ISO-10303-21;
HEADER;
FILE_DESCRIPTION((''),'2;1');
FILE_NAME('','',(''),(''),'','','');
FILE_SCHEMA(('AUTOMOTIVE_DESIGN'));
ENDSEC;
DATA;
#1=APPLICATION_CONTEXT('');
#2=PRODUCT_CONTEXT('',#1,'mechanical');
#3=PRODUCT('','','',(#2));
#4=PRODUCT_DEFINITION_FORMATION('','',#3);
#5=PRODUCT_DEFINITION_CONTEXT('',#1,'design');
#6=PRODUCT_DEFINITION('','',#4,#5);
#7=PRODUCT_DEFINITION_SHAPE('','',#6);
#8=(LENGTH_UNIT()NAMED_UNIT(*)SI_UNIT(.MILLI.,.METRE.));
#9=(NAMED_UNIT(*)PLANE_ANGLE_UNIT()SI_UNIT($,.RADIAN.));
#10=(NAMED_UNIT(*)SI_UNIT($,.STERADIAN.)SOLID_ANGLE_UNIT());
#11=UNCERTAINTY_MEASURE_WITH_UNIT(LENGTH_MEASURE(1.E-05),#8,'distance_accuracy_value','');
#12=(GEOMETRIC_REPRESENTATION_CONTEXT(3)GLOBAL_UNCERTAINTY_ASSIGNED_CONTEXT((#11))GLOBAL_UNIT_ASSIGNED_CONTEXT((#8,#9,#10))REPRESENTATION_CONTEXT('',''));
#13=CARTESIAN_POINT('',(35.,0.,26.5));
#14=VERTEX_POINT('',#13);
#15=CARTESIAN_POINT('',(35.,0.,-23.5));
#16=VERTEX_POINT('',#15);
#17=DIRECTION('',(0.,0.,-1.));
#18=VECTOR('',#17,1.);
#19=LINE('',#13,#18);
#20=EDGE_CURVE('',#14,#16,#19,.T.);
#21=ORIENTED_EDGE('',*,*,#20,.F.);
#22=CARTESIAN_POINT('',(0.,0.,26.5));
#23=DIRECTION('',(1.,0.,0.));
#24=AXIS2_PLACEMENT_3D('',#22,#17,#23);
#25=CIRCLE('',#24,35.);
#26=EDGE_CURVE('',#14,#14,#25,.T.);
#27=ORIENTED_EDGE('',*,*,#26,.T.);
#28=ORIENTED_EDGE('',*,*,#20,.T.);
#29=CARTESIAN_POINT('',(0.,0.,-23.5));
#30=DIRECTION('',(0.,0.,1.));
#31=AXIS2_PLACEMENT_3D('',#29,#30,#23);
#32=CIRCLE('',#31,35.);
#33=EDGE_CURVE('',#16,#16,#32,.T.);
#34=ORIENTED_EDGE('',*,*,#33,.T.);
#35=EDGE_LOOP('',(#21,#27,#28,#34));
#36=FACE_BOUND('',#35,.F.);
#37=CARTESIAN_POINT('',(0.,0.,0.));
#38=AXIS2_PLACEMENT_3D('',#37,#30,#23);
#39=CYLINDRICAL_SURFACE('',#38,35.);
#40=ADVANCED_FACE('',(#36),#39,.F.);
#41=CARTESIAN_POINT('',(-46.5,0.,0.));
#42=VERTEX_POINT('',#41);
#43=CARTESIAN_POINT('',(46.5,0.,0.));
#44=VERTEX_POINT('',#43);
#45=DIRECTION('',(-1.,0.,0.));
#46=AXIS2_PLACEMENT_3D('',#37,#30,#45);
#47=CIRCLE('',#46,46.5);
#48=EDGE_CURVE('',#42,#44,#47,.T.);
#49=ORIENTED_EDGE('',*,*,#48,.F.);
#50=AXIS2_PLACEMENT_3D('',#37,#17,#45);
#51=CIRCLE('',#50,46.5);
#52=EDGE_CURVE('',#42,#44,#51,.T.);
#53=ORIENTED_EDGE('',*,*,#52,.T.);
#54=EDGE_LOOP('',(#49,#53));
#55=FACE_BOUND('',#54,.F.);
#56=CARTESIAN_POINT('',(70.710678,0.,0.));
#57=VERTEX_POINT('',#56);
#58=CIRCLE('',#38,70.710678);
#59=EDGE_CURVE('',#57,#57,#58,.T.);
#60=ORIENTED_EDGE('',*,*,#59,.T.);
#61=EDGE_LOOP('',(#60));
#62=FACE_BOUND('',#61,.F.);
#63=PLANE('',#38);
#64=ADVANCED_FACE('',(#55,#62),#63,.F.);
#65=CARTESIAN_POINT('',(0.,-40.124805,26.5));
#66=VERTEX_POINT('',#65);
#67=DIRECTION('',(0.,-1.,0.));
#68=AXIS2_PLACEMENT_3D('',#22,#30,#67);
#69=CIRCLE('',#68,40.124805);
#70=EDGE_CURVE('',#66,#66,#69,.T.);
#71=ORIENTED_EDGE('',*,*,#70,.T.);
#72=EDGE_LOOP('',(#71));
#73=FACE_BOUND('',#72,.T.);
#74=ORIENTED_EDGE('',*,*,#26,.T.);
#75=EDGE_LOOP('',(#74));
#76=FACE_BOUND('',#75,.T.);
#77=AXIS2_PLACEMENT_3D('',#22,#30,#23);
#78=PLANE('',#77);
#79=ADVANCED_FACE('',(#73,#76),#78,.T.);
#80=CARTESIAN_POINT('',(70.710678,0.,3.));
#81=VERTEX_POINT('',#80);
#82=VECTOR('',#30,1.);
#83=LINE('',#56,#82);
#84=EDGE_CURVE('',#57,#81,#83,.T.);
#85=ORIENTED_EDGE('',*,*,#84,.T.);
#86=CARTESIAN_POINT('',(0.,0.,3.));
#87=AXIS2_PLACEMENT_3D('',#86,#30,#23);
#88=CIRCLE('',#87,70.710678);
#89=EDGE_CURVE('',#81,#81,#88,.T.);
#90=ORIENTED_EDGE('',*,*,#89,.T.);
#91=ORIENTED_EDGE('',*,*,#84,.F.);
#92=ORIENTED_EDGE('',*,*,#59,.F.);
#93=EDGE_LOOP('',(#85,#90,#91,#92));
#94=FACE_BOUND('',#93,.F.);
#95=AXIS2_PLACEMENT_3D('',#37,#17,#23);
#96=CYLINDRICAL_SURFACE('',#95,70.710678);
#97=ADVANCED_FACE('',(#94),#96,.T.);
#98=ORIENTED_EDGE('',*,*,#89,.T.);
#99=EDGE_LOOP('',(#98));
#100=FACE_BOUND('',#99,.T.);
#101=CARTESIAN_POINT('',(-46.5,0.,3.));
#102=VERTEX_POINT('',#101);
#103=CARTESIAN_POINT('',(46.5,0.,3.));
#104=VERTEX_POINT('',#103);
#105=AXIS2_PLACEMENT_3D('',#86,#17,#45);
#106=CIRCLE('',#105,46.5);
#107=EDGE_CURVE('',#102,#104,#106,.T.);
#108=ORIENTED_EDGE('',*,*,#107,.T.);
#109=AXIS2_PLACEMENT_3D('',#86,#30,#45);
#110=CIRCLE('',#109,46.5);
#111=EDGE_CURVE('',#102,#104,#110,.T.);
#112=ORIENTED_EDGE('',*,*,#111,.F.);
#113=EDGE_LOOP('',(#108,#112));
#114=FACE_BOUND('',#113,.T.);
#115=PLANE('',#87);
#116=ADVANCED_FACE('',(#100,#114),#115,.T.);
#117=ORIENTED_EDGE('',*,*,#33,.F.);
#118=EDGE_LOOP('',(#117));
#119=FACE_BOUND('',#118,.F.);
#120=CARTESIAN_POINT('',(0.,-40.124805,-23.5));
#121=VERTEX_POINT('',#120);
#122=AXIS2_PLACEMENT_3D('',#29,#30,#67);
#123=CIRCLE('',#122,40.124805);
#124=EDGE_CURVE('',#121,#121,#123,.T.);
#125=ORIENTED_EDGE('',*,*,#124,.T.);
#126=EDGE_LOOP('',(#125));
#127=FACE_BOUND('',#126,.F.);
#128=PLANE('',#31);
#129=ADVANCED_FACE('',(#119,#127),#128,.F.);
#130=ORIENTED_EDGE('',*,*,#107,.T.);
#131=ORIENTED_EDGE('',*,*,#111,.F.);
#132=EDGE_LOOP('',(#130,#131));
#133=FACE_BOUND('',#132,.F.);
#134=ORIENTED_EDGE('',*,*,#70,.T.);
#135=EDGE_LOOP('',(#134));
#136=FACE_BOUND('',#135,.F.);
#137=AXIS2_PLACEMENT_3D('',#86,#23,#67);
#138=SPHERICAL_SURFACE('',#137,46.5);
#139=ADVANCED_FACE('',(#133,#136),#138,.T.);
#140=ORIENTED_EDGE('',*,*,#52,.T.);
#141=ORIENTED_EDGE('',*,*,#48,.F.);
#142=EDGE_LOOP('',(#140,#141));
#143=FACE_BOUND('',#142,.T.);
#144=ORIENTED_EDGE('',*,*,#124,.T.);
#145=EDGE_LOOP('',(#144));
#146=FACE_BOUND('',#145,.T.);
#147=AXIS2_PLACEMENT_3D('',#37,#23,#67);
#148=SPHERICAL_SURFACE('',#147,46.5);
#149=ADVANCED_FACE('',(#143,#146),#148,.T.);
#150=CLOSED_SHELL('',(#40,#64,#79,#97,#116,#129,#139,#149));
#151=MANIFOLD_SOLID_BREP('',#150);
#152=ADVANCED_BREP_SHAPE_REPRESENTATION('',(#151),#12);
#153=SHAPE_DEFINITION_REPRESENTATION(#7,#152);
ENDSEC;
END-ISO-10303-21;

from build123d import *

# Parameters (mm, degrees)
F2_ANGLE       = 180
F1_R           = 70.7106781187
F3_DEPTH       = 3
F5_ANGLE       = 180
F8_W           = 100
F8_H           = 100
F9_DEPTH       = 25
F11_W          = 100
F11_H          = 100
F12_DEPTH      = 25
F13_R          = 35
F14_DEPTH      = 26.501
F14_DEPTH_BACK = 23.501


with BuildPart() as f2:
    # F1 (on Top) → F2 (revolve)
    with BuildSketch(Plane.XY):
        with BuildLine():
            ThreePointArc((-46.5, 0), (0, -46.5), (46.5, 0))
            Line((46.5, 0), (-46.5, 0))
        make_face()
    revolve(axis=Axis((0, 0, 0), (1, 0, 0)), revolution_arc=F2_ANGLE)

    # F1 (on Top) → F3 (join)
    with BuildSketch(Plane.XY):
        Circle(F1_R)
        with BuildLine():
            ThreePointArc((-46.5, 0), (0, 46.5), (46.5, 0))
            ThreePointArc((46.5, 0), (0, -46.5), (-46.5, 0))
        make_face(mode=Mode.SUBTRACT)
        with BuildLine():
            Line((-46.5, 0), (46.5, 0))
            ThreePointArc((46.5, 0), (0, 46.5), (-46.5, 0))
        make_face()
        with BuildLine():
            ThreePointArc((-46.5, 0), (0, -46.5), (46.5, 0))
            Line((46.5, 0), (-46.5, 0))
        make_face()
    extrude(amount=F3_DEPTH)

    # F4 (on face) → F5 (revolve)
    with BuildSketch(Plane.XY.offset(3)):
        with BuildLine():
            Line((46.5, 0), (-46.5, 0))
            ThreePointArc((-46.5, 0), (0, -46.5), (46.5, 0))
        make_face()
    revolve(axis=Axis((0, 0, 3), (-1, 0, 0)), revolution_arc=F5_ANGLE)

    # F8 (on plane+point) → F9 (cut)
    with BuildSketch(Plane.XY.offset(26.5)):
        Rectangle(F8_W, F8_H)
    extrude(amount=F9_DEPTH, mode=Mode.SUBTRACT)

    # F11 (on plane+point) → F12 (cut)
    with BuildSketch(Plane.XY.offset(-23.5)):
        Rectangle(F11_W, F11_H)
    extrude(amount=-F12_DEPTH, mode=Mode.SUBTRACT)

    # F13 (on Top) → F14 (cut, two sides)
    with BuildSketch(Plane.XY) as f14_sk:
        Circle(F13_R)
    extrude(amount=F14_DEPTH, mode=Mode.SUBTRACT)
    extrude(f14_sk.sketch, amount=-F14_DEPTH_BACK, mode=Mode.SUBTRACT)


solid = f2.part
